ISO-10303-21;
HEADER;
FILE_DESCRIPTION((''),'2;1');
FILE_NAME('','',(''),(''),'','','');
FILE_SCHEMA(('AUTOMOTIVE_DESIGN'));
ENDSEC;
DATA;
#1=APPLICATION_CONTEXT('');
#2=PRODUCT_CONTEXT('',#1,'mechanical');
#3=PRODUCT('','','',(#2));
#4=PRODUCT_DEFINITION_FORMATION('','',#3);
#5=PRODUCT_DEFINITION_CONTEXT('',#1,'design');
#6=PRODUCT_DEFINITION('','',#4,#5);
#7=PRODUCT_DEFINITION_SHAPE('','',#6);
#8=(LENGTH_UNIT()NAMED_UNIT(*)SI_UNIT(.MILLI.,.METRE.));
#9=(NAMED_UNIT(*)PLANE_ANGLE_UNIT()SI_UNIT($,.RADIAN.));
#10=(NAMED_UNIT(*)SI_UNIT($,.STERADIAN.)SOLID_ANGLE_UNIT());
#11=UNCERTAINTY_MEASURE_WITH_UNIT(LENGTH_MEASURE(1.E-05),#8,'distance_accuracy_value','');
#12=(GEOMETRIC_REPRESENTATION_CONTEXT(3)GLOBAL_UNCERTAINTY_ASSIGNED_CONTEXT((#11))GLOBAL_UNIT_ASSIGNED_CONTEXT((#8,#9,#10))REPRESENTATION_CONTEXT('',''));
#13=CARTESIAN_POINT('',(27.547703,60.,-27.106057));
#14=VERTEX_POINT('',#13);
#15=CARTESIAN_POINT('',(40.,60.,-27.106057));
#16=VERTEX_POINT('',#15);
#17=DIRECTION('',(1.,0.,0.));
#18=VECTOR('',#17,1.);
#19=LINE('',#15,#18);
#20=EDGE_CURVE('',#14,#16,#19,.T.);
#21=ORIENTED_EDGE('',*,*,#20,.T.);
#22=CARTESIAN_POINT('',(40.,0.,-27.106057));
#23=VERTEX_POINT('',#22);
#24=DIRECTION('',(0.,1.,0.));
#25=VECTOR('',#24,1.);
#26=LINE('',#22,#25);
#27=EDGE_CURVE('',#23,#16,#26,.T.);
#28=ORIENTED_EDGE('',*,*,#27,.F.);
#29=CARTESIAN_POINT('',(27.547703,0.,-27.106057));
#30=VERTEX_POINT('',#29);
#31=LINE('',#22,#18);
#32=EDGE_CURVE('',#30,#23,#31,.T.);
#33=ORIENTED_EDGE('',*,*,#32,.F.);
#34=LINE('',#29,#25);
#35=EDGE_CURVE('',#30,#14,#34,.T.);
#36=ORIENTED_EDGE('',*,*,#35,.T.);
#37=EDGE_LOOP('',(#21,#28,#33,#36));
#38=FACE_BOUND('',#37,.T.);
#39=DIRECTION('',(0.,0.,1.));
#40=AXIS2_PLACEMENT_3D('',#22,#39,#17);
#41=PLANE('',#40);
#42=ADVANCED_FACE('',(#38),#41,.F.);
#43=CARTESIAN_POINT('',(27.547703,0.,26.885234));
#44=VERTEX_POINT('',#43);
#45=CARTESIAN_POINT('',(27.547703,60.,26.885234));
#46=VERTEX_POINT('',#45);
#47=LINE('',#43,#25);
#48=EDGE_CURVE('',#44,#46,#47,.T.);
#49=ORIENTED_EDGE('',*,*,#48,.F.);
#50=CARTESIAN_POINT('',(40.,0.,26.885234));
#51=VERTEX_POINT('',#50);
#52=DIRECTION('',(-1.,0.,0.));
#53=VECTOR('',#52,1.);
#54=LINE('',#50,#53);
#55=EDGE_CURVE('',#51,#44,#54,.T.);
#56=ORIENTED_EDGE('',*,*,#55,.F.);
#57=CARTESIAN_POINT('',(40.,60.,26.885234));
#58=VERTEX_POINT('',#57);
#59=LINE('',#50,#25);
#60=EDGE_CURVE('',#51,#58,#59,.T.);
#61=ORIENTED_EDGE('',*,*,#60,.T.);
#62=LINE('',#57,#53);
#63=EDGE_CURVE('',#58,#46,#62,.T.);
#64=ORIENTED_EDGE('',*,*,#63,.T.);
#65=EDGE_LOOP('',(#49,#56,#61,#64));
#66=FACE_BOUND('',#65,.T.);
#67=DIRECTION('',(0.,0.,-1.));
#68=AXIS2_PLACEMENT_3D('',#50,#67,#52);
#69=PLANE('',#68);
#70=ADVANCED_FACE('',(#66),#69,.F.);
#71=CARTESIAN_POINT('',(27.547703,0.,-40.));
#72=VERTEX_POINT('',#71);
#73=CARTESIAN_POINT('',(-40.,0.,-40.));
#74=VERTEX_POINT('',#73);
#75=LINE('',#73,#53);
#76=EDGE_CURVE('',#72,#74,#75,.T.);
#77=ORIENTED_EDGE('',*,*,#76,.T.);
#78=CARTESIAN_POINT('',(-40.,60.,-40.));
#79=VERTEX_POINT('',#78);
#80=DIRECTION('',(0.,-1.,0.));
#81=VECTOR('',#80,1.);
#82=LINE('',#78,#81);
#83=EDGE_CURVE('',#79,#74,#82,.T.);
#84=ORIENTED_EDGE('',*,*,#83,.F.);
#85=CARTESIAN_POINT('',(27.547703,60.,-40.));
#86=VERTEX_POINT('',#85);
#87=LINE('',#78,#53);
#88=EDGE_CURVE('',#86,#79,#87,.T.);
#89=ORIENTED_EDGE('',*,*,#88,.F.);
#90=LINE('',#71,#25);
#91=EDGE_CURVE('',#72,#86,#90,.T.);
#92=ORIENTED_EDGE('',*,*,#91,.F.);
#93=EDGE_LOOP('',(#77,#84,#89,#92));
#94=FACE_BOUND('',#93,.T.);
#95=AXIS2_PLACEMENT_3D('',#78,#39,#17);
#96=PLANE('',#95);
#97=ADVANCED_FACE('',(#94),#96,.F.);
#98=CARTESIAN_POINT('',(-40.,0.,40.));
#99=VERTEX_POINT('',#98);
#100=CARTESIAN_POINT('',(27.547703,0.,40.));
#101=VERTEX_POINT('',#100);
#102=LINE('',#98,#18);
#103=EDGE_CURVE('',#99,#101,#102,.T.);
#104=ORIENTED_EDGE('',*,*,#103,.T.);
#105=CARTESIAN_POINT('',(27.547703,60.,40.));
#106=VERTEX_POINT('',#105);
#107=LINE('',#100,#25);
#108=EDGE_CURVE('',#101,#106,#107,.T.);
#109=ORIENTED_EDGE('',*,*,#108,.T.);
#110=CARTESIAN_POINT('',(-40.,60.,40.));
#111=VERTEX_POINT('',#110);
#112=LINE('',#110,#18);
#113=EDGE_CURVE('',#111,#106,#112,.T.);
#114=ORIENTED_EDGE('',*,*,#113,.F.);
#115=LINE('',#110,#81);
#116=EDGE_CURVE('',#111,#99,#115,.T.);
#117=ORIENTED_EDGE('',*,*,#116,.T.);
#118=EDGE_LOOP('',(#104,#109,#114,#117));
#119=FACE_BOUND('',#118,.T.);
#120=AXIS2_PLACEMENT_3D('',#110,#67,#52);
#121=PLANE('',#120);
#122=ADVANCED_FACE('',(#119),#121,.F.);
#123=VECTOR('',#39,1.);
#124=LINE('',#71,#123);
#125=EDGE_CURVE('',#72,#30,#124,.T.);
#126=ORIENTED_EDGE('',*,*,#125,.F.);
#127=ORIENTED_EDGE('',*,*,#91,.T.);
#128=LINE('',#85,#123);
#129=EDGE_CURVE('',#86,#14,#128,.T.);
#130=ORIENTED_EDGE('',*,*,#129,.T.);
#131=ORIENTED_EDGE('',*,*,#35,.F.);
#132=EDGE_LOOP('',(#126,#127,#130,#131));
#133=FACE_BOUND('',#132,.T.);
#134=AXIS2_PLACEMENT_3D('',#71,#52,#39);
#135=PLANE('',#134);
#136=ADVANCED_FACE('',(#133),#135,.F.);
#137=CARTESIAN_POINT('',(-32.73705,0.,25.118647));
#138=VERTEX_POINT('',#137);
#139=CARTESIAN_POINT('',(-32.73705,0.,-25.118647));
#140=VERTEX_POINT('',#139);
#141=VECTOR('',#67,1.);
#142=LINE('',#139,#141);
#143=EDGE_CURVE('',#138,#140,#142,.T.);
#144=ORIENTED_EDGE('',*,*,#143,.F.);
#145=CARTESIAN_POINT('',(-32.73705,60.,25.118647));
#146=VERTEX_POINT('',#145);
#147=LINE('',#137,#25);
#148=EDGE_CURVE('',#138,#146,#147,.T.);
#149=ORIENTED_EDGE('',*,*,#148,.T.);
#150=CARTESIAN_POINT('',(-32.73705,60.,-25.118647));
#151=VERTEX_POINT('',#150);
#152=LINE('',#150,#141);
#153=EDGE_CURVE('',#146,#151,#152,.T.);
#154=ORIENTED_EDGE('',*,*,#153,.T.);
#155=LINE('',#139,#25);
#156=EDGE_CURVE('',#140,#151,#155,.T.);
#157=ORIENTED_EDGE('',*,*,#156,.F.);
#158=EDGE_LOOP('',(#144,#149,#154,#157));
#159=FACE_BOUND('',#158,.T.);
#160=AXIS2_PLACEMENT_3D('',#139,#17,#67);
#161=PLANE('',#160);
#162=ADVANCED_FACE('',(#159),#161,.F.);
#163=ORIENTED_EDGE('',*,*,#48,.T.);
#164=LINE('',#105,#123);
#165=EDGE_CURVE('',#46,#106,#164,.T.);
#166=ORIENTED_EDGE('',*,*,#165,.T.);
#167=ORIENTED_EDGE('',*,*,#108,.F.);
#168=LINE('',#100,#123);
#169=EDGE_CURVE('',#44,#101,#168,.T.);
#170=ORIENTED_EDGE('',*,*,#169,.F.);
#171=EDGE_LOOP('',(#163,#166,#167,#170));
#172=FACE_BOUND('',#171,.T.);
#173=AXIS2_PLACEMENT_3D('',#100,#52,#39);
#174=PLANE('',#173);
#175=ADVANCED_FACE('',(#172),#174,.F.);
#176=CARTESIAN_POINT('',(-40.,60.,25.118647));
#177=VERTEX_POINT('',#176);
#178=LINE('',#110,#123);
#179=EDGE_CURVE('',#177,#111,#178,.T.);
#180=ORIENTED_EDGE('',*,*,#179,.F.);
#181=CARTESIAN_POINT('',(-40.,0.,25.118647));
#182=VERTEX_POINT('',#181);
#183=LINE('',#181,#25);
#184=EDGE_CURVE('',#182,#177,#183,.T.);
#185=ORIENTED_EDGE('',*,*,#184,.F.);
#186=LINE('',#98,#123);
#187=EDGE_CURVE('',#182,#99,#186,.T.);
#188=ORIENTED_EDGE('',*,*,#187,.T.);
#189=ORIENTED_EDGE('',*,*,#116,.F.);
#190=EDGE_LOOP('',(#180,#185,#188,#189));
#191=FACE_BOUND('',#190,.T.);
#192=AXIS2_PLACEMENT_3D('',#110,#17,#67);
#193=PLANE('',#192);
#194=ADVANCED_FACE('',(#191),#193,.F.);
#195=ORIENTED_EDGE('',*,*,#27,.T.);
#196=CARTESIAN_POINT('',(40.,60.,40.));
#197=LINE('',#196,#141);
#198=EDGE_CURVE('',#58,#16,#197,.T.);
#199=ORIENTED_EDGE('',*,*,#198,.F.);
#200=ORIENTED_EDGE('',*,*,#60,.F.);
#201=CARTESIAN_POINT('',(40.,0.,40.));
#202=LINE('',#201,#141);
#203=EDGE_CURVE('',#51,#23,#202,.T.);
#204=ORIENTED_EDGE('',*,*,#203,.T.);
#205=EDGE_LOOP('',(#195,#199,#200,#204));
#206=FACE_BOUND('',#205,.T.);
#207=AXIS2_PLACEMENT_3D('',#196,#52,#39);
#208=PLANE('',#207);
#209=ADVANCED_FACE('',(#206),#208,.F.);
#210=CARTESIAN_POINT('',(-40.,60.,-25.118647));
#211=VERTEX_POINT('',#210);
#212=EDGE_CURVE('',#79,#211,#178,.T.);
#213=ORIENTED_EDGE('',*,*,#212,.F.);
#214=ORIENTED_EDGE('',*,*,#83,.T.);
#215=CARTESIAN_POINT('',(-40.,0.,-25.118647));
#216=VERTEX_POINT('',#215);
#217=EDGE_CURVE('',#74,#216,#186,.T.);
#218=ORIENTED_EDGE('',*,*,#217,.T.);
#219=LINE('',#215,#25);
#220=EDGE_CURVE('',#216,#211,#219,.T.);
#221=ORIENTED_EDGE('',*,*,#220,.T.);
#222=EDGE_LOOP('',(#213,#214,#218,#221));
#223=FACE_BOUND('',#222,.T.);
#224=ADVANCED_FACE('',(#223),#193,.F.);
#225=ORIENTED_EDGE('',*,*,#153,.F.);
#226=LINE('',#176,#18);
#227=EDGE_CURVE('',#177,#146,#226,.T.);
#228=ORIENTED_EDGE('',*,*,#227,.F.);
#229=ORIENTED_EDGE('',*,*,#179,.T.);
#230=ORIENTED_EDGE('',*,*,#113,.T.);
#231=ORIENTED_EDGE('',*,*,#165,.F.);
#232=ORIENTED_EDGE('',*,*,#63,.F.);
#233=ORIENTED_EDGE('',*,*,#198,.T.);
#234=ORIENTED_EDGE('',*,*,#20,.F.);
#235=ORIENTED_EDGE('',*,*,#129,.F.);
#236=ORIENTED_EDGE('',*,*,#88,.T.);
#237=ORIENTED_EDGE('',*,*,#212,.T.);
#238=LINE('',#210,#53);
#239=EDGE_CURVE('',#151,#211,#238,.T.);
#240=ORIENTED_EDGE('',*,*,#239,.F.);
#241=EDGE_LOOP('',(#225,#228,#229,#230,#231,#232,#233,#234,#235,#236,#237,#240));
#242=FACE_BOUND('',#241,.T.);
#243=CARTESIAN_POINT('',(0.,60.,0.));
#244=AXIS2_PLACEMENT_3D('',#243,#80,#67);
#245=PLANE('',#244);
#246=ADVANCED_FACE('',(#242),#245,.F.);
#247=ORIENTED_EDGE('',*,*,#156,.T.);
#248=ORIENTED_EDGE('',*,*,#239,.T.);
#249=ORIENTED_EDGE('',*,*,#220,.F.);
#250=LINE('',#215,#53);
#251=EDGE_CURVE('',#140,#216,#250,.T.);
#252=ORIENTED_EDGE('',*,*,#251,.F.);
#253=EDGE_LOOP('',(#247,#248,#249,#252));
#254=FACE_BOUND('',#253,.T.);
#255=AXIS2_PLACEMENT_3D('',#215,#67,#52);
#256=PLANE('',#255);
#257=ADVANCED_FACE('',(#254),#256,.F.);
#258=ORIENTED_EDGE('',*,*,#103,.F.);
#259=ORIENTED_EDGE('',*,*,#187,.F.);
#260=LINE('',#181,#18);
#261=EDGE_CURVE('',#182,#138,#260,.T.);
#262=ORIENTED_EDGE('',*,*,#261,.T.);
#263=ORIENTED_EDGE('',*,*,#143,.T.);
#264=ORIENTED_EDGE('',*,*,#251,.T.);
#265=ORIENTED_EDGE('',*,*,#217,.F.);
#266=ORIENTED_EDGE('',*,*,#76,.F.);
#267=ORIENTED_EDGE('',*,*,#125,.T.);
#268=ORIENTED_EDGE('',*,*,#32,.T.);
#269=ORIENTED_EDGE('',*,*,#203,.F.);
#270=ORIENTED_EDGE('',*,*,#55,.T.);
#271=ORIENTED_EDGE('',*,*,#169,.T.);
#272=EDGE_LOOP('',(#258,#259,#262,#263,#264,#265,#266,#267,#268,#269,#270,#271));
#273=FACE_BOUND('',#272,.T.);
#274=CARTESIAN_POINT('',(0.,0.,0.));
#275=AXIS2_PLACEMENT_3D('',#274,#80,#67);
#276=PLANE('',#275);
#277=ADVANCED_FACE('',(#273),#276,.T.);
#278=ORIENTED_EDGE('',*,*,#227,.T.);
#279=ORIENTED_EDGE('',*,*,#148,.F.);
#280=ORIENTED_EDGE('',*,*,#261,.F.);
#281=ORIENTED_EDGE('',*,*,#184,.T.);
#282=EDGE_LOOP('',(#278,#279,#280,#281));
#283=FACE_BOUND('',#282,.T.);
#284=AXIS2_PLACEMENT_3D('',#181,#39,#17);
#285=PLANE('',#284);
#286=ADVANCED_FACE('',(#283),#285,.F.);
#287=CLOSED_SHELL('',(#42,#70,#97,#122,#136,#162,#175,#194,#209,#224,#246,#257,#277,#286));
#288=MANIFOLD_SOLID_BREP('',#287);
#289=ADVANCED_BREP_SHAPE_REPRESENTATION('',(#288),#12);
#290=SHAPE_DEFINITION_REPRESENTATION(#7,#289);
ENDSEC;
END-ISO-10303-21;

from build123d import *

# Parameters (mm, degrees)
SKETCH1_W           = 80
SKETCH1_H           = 80
BOSS_EXTRUDE1_DEPTH = 60
SKETCH2_W           = 7.262949675
SKETCH2_H           = 50.237294764
CUT_EXTRUDE1_DEPTH  = 83.462112512
SKETCH3_W           = 12.452296607
SKETCH3_H           = 12.893943155
SKETCH3_H_2         = 13.114766428
CUT_EXTRUDE2_DEPTH  = 83.462112512


with BuildPart() as part:
    # Sketch1 → Boss-Extrude1 (new body)
    with BuildSketch(Plane(origin=(0, 0, 0), x_dir=(1, 0, 0), z_dir=(0, 1, 0))):
        Rectangle(SKETCH1_W, SKETCH1_H)
    extrude(amount=BOSS_EXTRUDE1_DEPTH)

    # Sketch2 → Cut-Extrude1 (cut, through all)
    with BuildSketch(Plane(origin=(0, 60, 0), x_dir=(1, 0, 0), z_dir=(0, 1, 0))):
        with Locations((-36.368525163, 0)):
            Rectangle(SKETCH2_W, SKETCH2_H)
    extrude(amount=-CUT_EXTRUDE1_DEPTH, mode=Mode.SUBTRACT)

    # Sketch3 → Cut-Extrude2 (cut, through all)
    with BuildSketch(Plane(origin=(0, 60, 0), x_dir=(1, 0, 0), z_dir=(0, 1, 0))):
        with Locations((33.773851697, 33.553028422)):
            Rectangle(SKETCH3_W, SKETCH3_H)
        with Locations((33.773851697, -33.442616786)):
            Rectangle(SKETCH3_W, SKETCH3_H_2)
    extrude(amount=-CUT_EXTRUDE2_DEPTH, mode=Mode.SUBTRACT)


solid = part.part
